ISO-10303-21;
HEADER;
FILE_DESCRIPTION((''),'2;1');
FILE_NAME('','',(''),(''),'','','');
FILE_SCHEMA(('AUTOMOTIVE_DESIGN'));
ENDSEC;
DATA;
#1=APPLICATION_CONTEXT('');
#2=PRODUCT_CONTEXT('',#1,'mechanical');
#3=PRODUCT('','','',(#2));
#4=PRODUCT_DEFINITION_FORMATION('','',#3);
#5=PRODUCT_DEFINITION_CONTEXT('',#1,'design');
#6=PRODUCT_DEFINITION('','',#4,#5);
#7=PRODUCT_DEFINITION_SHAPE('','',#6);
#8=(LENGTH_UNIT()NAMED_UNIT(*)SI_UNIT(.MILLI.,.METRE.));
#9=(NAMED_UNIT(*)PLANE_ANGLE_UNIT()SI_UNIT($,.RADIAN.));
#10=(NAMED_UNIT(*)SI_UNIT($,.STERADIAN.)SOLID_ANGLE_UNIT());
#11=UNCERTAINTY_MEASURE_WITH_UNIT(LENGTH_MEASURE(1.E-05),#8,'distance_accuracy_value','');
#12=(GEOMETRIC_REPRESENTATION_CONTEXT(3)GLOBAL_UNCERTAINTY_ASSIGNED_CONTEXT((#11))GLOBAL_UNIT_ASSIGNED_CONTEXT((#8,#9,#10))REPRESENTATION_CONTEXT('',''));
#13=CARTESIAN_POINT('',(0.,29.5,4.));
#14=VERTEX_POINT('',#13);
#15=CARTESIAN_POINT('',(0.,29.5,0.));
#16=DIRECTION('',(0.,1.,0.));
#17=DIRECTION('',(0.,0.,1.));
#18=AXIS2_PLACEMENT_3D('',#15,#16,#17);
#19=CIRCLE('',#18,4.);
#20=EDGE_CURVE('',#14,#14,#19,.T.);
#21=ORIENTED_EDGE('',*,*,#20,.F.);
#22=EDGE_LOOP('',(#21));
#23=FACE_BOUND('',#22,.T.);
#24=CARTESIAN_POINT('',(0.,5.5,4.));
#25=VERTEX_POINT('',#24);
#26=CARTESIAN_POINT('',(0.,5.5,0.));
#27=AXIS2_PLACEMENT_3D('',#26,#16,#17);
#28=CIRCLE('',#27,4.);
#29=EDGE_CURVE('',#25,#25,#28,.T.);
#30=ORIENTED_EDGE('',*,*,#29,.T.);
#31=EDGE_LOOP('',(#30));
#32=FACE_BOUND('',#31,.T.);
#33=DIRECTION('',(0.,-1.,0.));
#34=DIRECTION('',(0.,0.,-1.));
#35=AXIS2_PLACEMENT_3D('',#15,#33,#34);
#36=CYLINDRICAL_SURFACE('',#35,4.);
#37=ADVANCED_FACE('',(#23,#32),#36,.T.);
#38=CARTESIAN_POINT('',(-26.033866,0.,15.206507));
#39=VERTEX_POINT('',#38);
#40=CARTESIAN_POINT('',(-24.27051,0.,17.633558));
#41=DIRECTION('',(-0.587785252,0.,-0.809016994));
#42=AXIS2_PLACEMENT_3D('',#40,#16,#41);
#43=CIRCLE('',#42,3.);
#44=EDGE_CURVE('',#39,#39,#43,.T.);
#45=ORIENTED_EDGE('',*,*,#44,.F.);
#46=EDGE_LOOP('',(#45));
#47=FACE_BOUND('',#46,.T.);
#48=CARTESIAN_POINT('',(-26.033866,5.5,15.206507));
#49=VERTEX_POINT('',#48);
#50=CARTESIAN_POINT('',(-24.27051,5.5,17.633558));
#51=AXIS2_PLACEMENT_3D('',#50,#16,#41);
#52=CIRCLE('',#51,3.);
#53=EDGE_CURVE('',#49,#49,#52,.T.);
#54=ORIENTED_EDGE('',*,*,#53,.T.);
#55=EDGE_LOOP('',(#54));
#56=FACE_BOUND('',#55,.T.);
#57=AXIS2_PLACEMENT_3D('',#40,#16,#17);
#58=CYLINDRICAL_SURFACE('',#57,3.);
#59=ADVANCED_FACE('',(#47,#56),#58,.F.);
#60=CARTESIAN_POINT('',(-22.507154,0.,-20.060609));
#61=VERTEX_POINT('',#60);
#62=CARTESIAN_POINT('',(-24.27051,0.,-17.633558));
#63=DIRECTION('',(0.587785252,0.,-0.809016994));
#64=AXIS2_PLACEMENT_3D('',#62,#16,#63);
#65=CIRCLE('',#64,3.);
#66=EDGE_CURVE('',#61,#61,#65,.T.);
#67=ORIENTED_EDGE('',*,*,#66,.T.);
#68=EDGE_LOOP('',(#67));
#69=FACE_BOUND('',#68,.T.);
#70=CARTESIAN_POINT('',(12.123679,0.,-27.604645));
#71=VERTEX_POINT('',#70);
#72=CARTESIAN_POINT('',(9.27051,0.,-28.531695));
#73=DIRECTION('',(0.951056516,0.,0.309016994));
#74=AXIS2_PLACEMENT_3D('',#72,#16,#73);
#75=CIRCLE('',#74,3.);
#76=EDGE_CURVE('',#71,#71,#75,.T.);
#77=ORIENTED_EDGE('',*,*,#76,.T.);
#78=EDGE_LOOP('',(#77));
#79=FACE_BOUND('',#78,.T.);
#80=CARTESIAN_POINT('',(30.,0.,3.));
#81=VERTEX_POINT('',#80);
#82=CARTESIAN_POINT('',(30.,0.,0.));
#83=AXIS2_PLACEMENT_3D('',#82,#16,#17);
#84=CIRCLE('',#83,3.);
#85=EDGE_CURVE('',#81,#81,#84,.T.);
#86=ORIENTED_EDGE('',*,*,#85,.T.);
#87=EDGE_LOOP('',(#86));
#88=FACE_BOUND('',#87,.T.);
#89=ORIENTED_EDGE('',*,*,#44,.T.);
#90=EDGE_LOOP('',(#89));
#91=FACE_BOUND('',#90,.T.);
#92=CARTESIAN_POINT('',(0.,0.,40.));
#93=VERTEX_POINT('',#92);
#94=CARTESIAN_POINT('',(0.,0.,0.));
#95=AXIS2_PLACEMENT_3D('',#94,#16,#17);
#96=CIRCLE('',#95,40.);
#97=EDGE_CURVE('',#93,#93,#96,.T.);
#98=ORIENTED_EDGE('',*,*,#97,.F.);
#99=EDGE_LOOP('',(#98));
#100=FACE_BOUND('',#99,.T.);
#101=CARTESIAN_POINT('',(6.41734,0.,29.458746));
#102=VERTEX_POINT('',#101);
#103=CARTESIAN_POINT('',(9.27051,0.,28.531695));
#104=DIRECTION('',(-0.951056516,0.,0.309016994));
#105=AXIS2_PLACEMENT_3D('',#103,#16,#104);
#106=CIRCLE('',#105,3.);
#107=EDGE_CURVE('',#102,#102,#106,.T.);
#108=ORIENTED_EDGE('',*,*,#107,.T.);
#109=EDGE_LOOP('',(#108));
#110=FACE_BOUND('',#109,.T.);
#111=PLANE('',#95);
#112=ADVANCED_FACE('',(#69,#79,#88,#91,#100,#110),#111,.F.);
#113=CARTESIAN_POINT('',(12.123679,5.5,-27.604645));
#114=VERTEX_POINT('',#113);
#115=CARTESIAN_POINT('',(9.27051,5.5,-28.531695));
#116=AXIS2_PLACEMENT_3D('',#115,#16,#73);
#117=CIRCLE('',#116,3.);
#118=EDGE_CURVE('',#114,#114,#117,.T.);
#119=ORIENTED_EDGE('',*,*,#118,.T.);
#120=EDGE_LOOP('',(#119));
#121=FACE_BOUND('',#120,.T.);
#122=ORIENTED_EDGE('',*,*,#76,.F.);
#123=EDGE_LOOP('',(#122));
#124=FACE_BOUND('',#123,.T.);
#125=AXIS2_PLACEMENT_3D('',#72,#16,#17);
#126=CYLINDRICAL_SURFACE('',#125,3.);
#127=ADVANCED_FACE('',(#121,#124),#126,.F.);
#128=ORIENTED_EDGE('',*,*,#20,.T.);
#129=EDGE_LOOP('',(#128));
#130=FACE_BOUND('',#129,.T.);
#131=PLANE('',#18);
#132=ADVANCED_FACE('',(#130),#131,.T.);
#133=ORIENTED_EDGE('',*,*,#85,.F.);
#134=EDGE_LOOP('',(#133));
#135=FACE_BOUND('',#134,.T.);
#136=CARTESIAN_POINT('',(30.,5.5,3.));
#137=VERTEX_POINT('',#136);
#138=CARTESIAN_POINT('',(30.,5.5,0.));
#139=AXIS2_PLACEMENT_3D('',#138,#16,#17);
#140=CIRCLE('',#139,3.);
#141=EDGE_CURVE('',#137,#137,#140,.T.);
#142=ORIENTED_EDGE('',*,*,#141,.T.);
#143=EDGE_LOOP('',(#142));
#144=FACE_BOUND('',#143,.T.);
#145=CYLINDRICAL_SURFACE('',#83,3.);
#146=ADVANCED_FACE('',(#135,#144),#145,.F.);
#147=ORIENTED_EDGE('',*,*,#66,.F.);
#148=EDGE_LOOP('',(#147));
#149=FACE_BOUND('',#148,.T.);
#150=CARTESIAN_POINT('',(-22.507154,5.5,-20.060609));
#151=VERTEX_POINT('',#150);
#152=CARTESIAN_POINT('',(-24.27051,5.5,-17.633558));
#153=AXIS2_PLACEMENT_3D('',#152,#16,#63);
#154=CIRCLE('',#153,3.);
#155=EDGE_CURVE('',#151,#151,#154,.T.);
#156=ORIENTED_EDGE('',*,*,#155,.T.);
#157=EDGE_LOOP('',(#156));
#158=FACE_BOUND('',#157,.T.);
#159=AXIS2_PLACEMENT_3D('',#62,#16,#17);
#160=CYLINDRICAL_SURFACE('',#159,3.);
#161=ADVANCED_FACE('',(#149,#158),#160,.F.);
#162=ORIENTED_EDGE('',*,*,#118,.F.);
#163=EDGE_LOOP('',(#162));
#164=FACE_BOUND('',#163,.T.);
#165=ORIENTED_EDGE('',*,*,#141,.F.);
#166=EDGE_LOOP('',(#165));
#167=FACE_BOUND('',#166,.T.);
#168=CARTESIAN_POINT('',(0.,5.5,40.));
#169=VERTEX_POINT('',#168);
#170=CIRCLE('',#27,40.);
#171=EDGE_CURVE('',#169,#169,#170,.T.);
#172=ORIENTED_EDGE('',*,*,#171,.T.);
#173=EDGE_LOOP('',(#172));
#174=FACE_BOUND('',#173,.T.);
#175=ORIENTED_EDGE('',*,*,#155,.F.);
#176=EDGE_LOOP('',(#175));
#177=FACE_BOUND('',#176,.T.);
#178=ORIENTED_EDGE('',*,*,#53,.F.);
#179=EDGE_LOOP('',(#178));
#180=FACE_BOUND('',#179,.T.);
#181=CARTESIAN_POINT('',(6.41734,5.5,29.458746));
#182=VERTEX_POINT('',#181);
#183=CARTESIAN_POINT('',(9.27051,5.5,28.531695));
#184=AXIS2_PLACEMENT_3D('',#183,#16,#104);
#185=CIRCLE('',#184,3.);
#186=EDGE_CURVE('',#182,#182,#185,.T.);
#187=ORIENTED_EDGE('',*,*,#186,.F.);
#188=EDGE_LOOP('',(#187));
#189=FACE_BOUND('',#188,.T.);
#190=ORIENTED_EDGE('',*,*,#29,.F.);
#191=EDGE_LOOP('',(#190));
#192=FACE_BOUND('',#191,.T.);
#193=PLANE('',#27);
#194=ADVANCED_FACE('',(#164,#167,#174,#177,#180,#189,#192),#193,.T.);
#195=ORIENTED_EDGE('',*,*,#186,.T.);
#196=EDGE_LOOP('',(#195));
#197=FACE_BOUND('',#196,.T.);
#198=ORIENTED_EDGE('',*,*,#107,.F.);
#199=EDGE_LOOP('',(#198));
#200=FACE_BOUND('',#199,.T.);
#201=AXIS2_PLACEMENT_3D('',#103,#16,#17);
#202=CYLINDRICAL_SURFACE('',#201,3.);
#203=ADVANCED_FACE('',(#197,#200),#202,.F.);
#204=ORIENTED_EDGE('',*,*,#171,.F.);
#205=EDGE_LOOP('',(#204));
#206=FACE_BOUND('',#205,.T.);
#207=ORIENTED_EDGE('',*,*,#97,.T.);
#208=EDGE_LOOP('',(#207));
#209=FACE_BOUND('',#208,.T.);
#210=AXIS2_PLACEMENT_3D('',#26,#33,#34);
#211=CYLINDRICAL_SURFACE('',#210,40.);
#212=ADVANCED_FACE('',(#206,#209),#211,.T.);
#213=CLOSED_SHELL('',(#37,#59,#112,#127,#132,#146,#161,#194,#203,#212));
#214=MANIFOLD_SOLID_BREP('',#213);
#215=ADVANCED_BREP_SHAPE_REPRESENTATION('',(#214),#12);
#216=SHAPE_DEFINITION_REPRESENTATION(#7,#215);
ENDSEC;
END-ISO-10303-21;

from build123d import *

# Parameters (mm, degrees)
SKETCH1_R           = 40
BOSS_EXTRUDE1_DEPTH = 5.5
SKETCH2_R           = 3
CUT_EXTRUDE1_DEPTH  = 6.5
CIRPATTERN1_COUNT   = 5
SKETCH3_R           = 4
BOSS_EXTRUDE2_DEPTH = 24


with BuildPart() as part:
    # Sketch1 → Boss-Extrude1 (new body)
    with BuildSketch(Plane(origin=(0, 0, 0), x_dir=(1, 0, 0), z_dir=(0, 1, 0))):
        Circle(SKETCH1_R)
    extrude(amount=BOSS_EXTRUDE1_DEPTH)

    # Sketch2 → Cut-Extrude1 (cut, through all)
    with BuildSketch(Plane(origin=(0, 5.5, 0), x_dir=(1, 0, 0), z_dir=(0, 1, 0))):
        with Locations((30, 0)):
            Circle(SKETCH2_R)
    cut_extrude1 = extrude(amount=-CUT_EXTRUDE1_DEPTH, mode=Mode.SUBTRACT)

    # CirPattern1: Cut-Extrude1 ×5 about axis
    cirpattern1_axis = Axis((0, 0, 0), (0, 1, 0))
    for i in range(1, CIRPATTERN1_COUNT):
        add(cut_extrude1.rotate(cirpattern1_axis, i * 360 / CIRPATTERN1_COUNT), mode=Mode.SUBTRACT)

    # Sketch3 → Boss-Extrude2 (add)
    with BuildSketch(Plane(origin=(0, 5.5, 0), x_dir=(1, 0, 0), z_dir=(0, 1, 0))):
        Circle(SKETCH3_R)
    extrude(amount=BOSS_EXTRUDE2_DEPTH)


solid = part.part
